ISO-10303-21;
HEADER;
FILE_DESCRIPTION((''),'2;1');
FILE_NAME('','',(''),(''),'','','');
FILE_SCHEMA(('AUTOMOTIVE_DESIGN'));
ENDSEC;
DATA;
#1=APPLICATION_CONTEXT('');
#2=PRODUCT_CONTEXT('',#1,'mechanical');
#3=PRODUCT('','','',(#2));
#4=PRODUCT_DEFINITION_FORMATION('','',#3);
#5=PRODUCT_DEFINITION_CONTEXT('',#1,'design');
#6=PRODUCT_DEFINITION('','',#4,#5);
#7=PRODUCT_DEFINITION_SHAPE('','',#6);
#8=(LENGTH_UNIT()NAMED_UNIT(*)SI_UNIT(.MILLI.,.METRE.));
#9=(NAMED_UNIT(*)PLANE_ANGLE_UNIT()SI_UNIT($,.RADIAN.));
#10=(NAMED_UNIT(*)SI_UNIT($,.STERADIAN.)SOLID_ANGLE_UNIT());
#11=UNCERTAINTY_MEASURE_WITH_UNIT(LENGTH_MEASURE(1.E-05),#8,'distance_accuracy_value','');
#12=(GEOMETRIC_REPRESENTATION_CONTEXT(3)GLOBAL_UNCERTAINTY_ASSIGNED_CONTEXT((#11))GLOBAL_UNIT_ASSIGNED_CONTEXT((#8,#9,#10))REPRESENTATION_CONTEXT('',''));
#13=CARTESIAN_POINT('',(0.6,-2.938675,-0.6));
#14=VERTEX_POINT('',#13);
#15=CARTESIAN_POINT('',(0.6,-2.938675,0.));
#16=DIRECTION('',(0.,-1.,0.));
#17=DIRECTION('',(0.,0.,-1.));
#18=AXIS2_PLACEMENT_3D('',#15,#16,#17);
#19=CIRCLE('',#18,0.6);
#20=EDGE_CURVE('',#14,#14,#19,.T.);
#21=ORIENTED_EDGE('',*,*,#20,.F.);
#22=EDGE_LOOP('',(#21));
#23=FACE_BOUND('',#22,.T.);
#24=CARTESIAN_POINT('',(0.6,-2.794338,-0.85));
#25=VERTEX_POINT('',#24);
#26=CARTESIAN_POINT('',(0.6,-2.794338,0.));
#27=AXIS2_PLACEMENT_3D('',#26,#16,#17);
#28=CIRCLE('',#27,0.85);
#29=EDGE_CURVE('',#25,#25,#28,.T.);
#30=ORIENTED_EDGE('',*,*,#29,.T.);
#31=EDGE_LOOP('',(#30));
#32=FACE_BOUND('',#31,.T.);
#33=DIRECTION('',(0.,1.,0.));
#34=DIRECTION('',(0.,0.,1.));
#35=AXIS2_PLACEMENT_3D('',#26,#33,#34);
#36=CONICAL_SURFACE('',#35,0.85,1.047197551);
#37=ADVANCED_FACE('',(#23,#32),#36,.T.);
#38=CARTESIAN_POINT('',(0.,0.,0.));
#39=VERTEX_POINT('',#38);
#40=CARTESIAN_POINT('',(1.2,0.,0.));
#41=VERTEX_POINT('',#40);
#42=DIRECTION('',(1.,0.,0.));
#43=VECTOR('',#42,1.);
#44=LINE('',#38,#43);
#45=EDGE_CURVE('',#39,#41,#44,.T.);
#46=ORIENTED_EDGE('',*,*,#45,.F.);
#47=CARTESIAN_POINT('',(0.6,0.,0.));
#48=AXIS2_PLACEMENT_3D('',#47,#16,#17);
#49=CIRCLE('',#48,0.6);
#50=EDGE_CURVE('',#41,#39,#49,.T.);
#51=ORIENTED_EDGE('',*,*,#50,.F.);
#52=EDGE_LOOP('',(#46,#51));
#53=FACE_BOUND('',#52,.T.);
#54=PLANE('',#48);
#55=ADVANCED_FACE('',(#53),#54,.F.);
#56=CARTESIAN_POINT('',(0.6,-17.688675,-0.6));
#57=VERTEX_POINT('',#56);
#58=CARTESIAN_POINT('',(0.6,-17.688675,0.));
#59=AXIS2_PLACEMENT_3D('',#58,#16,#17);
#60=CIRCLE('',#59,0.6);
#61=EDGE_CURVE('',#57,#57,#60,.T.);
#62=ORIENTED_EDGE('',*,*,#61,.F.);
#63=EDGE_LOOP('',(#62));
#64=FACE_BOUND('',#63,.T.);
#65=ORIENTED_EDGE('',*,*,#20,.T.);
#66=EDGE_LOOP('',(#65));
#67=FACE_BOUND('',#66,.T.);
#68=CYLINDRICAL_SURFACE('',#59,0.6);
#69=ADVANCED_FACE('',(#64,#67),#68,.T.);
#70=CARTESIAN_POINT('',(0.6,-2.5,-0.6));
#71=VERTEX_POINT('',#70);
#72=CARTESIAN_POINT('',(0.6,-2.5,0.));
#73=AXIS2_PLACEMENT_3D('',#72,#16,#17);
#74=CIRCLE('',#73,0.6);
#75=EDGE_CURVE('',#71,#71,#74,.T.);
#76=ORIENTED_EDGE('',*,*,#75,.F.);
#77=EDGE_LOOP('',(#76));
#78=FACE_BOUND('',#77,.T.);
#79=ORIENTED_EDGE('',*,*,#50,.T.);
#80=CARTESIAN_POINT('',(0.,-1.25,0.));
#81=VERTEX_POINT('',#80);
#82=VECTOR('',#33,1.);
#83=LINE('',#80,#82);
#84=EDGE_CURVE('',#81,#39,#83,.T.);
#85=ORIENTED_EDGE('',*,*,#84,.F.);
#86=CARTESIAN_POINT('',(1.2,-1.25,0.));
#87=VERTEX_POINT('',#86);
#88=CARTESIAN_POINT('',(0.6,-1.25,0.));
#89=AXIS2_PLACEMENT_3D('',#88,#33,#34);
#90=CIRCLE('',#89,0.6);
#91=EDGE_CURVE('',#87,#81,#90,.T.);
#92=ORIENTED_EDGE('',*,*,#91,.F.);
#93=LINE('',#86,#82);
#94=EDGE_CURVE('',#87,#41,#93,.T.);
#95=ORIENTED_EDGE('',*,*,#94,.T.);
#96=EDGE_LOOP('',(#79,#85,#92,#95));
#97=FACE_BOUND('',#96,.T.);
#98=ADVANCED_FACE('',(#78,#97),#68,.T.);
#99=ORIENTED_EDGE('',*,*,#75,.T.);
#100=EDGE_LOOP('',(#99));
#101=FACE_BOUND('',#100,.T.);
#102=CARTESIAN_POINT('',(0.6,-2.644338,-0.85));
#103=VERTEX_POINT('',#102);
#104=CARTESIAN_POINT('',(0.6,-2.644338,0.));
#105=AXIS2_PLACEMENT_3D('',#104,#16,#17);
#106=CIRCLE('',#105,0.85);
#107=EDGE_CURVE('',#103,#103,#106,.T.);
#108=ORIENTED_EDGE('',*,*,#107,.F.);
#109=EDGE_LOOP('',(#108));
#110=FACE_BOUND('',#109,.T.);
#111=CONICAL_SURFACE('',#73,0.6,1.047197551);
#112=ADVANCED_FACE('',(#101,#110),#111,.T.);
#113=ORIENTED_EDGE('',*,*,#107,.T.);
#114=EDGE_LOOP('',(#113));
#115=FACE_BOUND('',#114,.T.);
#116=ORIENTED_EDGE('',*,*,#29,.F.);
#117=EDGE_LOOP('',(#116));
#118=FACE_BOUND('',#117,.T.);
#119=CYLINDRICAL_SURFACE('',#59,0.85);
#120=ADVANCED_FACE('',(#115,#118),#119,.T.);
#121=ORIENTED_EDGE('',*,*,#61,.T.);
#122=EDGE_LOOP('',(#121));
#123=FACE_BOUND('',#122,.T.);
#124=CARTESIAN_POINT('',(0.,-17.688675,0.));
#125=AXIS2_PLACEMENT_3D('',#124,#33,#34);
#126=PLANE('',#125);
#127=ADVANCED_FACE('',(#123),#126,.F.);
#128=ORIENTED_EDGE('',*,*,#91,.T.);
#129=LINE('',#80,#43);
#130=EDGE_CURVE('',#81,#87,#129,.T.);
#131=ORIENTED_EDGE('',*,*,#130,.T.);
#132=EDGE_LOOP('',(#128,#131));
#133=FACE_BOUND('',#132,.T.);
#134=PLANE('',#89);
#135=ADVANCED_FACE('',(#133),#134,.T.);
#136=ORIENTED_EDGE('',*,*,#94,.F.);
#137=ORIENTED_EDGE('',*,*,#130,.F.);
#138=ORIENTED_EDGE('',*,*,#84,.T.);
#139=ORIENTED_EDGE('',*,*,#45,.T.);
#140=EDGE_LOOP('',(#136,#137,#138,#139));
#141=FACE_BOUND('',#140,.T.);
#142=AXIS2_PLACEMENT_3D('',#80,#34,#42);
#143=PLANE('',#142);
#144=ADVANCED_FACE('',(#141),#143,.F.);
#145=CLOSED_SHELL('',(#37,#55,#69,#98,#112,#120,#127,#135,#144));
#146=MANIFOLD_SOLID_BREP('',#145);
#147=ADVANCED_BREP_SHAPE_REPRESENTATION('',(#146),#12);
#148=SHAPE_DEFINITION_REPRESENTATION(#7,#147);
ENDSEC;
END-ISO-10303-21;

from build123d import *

# Parameters (mm, degrees)
CUT_EXTRUDE1_START = -1.25
CUT_EXTRUDE1_DEPTH = 1.25


with BuildPart() as part:
    # Sketch1 → Revolve1 (revolve)
    with BuildSketch(Plane.XY, mode=Mode.PRIVATE) as revolve1_sk:
        Polygon((0, 0), (0, -2.5), (-0.25, -2.644337567), (-0.25, -2.794337567), (0, -2.938675135), (0, -17.688675135), (0.6, -17.688675135), (0.6, 0), align=None)
    revolve(revolve1_sk.sketch.rotate(Axis((0.6, -17.688675135, 0), (0, 1, 0)), 270), axis=Axis((0.6, -17.688675135, 0), (0, 1, 0)))

    # Sketch2 → Cut-Extrude1 (cut)
    with BuildSketch(Plane(origin=(0, 0, 0), x_dir=(1, 0, 0), z_dir=(0, 1, 0)).offset(CUT_EXTRUDE1_START)):
        with BuildLine():
            Line((0, 0), (1.2, 0))
            ThreePointArc((1.2, 0), (0.6, 0.6), (0, 0))
        make_face()
    extrude(amount=CUT_EXTRUDE1_DEPTH, mode=Mode.SUBTRACT)


solid = part.part
